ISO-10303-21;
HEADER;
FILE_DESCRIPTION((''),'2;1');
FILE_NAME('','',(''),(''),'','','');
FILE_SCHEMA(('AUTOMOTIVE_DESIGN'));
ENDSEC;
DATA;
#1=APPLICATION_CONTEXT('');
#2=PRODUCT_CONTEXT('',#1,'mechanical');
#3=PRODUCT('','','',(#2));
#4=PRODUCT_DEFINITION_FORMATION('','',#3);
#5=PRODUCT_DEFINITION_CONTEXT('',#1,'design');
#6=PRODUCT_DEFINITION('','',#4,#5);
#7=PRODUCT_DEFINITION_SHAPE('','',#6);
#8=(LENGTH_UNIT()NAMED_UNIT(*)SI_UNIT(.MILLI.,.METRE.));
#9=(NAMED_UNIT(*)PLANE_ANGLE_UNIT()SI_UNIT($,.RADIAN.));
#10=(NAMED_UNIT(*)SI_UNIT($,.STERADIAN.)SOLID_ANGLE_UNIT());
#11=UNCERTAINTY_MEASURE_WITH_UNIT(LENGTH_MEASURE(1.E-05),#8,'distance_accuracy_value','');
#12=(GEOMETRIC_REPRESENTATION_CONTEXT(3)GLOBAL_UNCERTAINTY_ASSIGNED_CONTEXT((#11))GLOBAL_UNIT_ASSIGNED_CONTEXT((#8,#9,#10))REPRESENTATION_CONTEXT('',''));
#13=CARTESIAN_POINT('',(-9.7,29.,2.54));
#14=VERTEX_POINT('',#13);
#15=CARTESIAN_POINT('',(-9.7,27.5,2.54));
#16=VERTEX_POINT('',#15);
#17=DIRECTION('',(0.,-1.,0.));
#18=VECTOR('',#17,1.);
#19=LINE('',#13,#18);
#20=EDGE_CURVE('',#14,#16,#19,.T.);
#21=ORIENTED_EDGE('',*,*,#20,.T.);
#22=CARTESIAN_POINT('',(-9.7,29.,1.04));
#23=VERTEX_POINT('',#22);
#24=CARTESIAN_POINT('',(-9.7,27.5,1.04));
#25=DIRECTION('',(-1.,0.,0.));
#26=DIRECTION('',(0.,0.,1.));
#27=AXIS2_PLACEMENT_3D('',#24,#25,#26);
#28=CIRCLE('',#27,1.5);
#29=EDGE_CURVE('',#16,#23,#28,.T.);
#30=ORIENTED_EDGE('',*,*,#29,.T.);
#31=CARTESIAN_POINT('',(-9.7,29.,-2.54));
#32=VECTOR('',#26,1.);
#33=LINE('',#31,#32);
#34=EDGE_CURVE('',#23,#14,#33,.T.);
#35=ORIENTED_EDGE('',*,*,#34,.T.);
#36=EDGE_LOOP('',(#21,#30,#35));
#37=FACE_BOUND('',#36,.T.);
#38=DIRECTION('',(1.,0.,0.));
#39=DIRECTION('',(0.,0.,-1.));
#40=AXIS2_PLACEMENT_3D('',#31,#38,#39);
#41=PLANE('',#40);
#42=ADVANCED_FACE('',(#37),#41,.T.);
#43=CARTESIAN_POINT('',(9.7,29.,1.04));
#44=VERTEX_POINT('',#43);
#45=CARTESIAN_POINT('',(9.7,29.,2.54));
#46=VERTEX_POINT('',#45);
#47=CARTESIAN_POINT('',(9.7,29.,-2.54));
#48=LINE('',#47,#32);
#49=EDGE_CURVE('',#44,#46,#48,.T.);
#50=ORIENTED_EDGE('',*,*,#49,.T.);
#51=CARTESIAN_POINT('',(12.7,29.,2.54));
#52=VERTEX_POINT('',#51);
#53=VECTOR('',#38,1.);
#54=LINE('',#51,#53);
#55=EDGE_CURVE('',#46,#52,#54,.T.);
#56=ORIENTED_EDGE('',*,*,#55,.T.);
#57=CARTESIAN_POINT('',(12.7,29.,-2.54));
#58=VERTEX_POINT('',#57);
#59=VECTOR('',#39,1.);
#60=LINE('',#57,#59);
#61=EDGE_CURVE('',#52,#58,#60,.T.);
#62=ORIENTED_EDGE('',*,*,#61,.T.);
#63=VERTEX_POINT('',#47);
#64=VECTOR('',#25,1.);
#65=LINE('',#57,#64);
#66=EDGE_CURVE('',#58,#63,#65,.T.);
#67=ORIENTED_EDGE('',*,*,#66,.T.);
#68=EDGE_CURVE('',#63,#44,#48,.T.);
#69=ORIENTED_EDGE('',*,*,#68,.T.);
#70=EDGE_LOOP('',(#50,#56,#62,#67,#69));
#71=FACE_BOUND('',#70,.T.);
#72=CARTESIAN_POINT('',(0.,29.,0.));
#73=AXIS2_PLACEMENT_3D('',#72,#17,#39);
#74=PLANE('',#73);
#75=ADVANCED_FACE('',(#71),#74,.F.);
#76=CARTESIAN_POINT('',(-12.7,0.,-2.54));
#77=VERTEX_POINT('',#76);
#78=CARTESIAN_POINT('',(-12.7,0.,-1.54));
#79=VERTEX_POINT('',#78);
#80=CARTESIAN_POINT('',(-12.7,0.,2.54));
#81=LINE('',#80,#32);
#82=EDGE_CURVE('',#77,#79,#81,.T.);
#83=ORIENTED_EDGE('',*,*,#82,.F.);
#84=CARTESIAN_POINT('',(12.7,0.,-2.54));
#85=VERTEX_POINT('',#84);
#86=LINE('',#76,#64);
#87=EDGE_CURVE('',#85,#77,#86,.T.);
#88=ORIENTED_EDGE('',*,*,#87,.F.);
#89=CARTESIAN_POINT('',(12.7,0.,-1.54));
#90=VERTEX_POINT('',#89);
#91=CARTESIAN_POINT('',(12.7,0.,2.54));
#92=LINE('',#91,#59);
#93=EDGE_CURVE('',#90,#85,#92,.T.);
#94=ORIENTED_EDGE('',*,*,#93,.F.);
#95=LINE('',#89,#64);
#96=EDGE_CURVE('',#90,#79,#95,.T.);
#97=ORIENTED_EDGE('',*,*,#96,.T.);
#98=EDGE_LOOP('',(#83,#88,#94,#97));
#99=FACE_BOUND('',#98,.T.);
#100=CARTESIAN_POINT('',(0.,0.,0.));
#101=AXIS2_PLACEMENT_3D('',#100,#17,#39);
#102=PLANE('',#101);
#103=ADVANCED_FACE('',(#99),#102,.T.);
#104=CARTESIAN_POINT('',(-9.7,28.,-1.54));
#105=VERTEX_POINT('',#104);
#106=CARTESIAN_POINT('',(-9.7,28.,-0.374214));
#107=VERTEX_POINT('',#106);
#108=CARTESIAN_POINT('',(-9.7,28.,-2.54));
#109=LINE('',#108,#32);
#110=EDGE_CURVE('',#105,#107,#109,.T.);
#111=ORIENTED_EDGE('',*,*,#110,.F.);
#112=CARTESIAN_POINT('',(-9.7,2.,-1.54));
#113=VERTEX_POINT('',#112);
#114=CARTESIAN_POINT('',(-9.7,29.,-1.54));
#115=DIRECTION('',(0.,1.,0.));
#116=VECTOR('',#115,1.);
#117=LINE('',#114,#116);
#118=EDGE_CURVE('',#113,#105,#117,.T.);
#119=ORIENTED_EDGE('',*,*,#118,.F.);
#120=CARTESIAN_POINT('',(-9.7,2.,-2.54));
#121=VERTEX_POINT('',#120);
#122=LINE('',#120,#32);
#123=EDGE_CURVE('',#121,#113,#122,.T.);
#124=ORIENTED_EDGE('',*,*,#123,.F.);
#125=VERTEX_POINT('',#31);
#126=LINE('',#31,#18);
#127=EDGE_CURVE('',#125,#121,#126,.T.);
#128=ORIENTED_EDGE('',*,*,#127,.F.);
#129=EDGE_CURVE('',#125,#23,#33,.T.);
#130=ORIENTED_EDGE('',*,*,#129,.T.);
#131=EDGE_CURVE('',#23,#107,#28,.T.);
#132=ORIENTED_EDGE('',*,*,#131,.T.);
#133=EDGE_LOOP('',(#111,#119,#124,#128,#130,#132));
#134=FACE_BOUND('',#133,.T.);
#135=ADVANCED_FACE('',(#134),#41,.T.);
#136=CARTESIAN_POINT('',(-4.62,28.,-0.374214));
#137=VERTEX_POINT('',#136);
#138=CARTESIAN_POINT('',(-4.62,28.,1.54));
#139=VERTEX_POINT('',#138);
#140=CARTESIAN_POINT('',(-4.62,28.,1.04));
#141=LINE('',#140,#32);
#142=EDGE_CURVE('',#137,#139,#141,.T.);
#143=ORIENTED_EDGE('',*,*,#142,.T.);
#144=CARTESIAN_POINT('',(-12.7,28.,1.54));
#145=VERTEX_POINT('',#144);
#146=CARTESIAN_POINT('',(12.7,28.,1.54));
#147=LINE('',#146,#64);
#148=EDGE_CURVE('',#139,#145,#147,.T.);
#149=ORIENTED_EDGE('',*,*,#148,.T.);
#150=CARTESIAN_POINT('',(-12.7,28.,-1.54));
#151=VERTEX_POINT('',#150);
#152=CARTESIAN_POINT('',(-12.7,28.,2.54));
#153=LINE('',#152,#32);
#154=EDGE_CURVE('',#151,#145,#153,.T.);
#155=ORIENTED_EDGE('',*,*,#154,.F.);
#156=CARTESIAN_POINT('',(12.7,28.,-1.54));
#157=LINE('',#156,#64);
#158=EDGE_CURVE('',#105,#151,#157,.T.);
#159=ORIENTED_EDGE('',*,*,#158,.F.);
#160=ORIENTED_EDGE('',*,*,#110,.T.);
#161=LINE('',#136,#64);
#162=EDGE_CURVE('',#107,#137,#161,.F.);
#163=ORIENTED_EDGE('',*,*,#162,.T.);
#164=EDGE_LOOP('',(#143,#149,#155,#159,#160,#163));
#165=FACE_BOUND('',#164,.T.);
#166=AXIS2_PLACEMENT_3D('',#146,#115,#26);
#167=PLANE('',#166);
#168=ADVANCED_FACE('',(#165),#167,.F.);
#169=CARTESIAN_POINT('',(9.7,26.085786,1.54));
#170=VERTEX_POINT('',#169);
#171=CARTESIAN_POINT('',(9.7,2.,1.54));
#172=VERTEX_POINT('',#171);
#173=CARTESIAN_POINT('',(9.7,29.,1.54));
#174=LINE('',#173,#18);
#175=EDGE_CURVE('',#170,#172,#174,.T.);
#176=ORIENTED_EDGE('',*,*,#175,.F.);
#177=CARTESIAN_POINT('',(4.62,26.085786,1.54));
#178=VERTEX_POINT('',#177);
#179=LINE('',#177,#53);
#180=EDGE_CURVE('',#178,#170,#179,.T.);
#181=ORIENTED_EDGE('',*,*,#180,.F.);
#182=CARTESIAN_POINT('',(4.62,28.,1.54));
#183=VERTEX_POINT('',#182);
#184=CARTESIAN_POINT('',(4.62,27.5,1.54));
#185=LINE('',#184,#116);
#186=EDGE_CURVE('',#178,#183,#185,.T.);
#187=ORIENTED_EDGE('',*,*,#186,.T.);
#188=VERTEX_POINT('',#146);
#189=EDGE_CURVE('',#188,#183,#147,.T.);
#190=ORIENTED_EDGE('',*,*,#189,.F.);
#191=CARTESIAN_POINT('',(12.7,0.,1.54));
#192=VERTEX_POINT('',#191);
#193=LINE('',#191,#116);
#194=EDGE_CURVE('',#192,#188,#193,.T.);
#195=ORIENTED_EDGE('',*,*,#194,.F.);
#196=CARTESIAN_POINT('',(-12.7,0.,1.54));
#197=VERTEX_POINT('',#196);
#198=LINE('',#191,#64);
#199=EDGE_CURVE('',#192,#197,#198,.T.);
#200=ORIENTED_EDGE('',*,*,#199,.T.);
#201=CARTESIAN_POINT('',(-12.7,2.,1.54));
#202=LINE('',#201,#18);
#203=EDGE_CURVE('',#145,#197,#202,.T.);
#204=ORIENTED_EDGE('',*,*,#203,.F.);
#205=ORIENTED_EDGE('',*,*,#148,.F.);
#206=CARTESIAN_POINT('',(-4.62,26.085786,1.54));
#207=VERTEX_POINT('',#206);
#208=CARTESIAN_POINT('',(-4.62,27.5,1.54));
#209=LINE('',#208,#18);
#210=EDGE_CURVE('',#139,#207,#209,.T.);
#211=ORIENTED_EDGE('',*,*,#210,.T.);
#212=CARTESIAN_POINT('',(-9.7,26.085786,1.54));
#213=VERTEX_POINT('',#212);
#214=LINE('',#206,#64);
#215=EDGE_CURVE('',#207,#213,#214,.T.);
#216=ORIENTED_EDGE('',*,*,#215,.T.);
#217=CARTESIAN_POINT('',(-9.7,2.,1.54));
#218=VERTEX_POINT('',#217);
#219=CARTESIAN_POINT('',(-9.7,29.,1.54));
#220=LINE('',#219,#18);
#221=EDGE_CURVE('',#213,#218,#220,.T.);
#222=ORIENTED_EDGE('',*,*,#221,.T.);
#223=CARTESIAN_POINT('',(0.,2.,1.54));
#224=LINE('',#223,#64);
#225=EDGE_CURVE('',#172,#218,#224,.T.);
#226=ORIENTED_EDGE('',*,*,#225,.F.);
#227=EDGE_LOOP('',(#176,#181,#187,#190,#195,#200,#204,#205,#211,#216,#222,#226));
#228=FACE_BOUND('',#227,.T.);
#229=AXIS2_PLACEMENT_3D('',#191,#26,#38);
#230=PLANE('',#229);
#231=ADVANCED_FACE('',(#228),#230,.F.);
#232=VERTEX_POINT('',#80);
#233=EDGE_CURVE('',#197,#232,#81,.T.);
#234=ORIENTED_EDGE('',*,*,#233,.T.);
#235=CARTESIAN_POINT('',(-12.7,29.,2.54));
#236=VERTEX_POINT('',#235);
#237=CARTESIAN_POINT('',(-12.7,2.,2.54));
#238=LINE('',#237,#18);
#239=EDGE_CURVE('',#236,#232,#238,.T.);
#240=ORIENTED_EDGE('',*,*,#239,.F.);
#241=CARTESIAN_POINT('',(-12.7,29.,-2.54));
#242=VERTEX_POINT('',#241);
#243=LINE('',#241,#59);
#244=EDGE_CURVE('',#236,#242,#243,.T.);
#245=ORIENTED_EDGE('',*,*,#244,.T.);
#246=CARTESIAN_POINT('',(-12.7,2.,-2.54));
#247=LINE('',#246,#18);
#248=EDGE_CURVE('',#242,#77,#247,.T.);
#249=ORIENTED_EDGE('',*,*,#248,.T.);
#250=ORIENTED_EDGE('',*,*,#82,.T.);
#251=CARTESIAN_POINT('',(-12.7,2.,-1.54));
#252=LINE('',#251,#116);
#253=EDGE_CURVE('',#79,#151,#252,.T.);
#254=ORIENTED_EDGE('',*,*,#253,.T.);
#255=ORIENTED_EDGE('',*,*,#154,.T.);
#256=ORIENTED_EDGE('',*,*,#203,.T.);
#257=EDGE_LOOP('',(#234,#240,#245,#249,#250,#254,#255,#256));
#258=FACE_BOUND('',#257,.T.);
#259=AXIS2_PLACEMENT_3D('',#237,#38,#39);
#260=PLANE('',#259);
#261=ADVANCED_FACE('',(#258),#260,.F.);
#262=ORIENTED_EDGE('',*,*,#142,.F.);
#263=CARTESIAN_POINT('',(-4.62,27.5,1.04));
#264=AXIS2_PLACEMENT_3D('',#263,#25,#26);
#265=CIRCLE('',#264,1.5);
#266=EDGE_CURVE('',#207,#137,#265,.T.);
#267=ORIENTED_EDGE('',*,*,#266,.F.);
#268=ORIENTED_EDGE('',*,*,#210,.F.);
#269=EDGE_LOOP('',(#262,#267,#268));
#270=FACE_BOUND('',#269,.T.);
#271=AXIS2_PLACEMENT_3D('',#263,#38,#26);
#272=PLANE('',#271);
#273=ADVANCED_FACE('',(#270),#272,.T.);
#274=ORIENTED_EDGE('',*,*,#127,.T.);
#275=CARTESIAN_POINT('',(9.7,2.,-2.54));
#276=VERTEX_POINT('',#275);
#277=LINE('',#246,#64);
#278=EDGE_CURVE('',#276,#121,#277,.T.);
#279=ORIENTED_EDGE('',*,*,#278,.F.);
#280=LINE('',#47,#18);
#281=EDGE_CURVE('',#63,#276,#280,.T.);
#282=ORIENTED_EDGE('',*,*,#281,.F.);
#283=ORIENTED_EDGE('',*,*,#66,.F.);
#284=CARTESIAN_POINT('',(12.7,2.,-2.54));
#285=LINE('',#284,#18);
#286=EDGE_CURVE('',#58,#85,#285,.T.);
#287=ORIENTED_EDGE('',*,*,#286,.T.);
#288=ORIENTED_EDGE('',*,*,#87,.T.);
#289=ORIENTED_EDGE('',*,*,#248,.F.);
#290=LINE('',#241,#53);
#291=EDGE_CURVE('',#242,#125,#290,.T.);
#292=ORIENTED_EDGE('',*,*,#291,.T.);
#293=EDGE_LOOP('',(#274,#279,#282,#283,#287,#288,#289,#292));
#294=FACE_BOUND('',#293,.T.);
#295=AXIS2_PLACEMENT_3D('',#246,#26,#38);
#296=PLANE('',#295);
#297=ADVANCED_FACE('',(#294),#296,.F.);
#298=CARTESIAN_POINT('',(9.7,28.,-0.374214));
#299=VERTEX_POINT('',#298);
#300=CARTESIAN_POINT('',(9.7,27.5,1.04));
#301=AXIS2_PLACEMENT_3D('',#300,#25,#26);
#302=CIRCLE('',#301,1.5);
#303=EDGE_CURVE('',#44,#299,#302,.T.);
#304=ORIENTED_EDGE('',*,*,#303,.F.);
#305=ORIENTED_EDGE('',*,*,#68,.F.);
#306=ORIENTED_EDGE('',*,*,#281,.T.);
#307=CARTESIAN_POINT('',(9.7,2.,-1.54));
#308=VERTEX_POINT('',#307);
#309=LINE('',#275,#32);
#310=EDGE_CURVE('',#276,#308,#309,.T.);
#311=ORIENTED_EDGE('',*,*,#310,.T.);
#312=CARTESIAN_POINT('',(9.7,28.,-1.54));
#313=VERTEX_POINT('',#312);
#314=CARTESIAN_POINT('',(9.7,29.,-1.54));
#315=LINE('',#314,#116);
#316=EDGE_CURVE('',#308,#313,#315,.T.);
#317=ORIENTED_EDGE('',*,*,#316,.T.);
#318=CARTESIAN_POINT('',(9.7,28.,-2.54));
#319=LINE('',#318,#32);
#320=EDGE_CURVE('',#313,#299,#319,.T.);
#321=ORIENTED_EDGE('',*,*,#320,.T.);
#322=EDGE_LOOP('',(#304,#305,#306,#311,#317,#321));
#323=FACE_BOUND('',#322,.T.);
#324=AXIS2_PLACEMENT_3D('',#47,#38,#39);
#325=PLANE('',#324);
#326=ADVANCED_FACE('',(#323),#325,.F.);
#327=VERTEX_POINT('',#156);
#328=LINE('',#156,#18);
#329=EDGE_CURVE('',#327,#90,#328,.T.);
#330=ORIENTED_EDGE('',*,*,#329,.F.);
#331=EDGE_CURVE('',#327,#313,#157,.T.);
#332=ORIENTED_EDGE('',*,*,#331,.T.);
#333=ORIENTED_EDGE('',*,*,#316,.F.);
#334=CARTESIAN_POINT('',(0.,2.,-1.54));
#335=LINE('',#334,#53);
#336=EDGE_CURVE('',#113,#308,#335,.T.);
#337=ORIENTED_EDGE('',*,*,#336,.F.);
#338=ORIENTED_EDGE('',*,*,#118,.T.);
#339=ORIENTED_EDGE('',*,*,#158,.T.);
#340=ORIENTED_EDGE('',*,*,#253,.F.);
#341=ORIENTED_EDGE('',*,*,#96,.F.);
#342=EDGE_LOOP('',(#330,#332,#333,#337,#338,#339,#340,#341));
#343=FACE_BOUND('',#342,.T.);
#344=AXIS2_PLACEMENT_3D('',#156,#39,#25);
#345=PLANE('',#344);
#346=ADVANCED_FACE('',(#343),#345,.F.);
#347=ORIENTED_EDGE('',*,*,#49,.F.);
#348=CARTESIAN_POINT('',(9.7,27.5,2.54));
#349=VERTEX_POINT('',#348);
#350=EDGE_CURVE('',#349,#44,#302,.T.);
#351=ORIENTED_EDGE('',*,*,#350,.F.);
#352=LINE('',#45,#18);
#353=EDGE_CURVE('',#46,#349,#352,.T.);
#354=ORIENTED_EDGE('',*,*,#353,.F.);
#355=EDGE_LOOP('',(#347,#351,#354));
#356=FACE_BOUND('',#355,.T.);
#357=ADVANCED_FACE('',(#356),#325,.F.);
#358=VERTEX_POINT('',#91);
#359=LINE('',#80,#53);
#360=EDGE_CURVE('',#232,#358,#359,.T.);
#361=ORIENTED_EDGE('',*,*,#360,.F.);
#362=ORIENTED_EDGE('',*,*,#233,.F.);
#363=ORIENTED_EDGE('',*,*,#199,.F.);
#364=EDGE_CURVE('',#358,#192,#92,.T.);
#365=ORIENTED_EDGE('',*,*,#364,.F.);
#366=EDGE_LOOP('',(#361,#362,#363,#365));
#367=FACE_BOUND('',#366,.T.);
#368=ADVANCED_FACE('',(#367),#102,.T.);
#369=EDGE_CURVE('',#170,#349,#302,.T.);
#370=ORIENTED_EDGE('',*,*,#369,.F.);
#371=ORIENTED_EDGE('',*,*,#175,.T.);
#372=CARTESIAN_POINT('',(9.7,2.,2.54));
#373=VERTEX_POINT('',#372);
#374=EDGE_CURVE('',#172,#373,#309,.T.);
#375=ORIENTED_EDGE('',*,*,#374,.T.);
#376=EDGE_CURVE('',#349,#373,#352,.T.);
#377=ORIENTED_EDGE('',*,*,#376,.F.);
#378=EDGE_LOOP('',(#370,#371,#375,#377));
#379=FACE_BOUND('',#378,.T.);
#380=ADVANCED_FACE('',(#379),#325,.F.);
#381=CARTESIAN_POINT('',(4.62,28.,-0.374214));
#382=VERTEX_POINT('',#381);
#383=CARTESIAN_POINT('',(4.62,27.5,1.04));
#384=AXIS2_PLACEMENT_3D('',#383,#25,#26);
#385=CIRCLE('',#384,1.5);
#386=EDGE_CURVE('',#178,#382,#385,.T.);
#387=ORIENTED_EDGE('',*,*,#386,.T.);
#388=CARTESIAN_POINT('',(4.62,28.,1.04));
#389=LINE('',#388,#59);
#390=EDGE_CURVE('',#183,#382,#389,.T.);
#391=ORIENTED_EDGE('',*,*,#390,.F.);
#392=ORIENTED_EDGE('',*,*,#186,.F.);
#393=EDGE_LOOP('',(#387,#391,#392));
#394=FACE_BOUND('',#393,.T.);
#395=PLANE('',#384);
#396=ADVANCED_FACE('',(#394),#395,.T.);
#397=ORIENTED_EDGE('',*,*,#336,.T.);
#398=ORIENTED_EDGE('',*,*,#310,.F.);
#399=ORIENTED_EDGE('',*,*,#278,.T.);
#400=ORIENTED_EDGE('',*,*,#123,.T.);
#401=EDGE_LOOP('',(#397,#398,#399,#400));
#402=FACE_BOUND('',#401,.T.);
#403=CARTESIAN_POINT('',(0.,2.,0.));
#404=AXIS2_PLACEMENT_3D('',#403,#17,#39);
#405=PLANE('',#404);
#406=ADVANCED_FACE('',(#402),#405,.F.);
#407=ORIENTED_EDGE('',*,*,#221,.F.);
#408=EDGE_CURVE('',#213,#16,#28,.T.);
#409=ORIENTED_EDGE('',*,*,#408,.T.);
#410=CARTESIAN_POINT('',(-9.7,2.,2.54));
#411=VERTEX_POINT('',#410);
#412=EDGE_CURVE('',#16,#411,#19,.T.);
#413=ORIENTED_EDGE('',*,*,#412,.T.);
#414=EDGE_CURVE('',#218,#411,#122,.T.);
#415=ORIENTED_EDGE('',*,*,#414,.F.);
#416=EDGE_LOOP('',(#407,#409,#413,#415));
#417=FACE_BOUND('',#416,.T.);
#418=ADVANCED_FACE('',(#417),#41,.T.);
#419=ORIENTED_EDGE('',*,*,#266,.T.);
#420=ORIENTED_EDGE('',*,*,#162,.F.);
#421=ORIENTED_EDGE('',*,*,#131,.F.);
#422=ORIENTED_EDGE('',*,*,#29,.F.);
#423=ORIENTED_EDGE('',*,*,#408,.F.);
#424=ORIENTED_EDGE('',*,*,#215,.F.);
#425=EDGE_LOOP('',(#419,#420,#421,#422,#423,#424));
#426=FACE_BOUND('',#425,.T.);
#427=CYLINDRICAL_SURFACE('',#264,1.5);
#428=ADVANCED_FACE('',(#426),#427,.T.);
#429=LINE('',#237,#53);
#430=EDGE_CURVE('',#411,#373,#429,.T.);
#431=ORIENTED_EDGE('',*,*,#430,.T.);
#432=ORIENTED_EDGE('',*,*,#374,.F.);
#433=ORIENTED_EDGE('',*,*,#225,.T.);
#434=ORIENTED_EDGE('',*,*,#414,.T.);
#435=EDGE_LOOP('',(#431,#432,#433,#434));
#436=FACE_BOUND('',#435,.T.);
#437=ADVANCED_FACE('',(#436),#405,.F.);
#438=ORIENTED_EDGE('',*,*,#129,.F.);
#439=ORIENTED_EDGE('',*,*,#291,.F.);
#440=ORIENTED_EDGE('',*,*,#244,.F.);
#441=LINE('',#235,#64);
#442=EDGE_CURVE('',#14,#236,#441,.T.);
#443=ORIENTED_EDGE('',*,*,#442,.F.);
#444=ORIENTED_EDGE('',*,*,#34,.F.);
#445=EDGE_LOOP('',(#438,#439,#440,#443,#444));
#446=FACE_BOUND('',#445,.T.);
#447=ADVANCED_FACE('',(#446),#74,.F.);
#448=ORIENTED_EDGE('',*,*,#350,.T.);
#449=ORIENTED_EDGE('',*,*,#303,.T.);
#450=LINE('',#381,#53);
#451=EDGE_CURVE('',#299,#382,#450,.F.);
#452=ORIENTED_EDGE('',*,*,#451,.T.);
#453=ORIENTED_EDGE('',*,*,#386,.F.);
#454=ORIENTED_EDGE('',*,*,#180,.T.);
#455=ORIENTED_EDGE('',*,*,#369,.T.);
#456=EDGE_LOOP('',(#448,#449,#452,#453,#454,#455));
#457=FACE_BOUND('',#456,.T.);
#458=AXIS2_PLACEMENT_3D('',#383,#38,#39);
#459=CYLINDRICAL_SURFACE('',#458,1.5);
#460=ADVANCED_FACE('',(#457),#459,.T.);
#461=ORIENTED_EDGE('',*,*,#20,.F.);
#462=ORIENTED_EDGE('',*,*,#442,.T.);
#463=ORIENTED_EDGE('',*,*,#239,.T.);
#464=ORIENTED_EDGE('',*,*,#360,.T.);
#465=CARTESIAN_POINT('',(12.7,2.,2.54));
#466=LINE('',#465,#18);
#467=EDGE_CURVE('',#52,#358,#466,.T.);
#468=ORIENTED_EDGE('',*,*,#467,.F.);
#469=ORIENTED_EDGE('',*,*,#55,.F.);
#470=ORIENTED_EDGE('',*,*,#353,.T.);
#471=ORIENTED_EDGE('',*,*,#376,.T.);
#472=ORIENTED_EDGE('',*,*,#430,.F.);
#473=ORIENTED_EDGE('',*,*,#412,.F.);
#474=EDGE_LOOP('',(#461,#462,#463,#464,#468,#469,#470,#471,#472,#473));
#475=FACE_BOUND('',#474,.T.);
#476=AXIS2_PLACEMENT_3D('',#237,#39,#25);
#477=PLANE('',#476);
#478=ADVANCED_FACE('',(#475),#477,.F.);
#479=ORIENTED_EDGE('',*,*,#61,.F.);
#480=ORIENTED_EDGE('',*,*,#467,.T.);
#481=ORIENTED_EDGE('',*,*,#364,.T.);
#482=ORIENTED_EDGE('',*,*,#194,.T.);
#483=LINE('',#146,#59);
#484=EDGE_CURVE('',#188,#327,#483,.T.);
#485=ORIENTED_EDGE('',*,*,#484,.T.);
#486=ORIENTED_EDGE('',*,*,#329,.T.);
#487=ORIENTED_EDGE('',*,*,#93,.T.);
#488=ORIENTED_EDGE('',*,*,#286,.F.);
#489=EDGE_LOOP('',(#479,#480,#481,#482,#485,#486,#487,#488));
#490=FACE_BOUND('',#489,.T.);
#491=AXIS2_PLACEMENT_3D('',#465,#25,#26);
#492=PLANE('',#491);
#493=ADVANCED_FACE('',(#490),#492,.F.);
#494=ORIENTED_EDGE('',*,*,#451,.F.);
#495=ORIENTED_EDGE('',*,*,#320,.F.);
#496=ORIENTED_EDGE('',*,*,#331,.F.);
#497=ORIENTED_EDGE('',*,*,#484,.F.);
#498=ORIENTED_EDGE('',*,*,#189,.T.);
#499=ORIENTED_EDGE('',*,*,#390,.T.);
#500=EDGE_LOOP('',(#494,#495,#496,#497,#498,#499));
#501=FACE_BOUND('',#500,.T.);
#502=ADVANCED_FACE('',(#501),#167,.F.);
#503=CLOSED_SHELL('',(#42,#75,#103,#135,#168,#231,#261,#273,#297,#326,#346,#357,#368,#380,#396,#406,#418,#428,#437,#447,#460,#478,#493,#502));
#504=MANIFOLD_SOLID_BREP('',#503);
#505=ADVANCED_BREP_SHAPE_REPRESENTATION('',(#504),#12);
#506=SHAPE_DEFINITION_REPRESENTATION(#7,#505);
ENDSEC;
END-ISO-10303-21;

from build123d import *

# Parameters (mm, degrees)
SKETCH1_W               = 25.4
SKETCH1_H               = 5.08
BOSS_EXTRUDE1_DEPTH     = 2
SKETCH2_W               = 3
SKETCH2_H               = 5.08
BOSS_EXTRUDE2_DEPTH     = 27
SKETCH3_R               = 1.5
BOSS_EXTRUDE3_DEPTH     = 5.08
CUT_EXTRUDE1_DEPTH      = 39.634331882
CUT_EXTRUDE1_DEPTH_BACK = 39.634331882
SKETCH4_W               = 3.08
SKETCH4_H               = 28


with BuildPart() as part:
    # Sketch1 → Boss-Extrude1 (new body)
    with BuildSketch(Plane(origin=(0, 0, 0), x_dir=(1, 0, 0), z_dir=(0, 1, 0))):
        Rectangle(SKETCH1_W, SKETCH1_H)
    extrude(amount=BOSS_EXTRUDE1_DEPTH)

    # Sketch2 → Boss-Extrude2 (add)
    with BuildSketch(Plane(origin=(0, 2, 0), x_dir=(1, 0, 0), z_dir=(0, 1, 0))):
        with Locations((11.2, 0)):
            Rectangle(SKETCH2_W, SKETCH2_H)
    boss_extrude2 = extrude(amount=BOSS_EXTRUDE2_DEPTH)

    # Sketch3 → Boss-Extrude3 (add)
    with BuildSketch(Plane.ZY.offset(-9.7)):
        with Locations((1.04, 27.5)):
            Circle(SKETCH3_R)
    boss_extrude3 = extrude(amount=BOSS_EXTRUDE3_DEPTH)

    # Mirror1: Boss-Extrude2, Boss-Extrude3 across plane
    add(boss_extrude2.mirror(Plane(origin=(0, 0, 0), x_dir=(0, 0, 1), z_dir=(1, 0, 0))))
    add(boss_extrude3.mirror(Plane(origin=(0, 0, 0), x_dir=(0, 0, 1), z_dir=(1, 0, 0))))

    # Sketch4 → Cut-Extrude1 (cut, two sides: drawn at the far end of the back side and taken through both)
    with BuildSketch(Plane.ZY.offset(12.7).offset(-CUT_EXTRUDE1_DEPTH_BACK)):
        with Locations((0, 14)):
            Rectangle(SKETCH4_W, SKETCH4_H)
    extrude(amount=CUT_EXTRUDE1_DEPTH + CUT_EXTRUDE1_DEPTH_BACK, mode=Mode.SUBTRACT)


solid = part.part
